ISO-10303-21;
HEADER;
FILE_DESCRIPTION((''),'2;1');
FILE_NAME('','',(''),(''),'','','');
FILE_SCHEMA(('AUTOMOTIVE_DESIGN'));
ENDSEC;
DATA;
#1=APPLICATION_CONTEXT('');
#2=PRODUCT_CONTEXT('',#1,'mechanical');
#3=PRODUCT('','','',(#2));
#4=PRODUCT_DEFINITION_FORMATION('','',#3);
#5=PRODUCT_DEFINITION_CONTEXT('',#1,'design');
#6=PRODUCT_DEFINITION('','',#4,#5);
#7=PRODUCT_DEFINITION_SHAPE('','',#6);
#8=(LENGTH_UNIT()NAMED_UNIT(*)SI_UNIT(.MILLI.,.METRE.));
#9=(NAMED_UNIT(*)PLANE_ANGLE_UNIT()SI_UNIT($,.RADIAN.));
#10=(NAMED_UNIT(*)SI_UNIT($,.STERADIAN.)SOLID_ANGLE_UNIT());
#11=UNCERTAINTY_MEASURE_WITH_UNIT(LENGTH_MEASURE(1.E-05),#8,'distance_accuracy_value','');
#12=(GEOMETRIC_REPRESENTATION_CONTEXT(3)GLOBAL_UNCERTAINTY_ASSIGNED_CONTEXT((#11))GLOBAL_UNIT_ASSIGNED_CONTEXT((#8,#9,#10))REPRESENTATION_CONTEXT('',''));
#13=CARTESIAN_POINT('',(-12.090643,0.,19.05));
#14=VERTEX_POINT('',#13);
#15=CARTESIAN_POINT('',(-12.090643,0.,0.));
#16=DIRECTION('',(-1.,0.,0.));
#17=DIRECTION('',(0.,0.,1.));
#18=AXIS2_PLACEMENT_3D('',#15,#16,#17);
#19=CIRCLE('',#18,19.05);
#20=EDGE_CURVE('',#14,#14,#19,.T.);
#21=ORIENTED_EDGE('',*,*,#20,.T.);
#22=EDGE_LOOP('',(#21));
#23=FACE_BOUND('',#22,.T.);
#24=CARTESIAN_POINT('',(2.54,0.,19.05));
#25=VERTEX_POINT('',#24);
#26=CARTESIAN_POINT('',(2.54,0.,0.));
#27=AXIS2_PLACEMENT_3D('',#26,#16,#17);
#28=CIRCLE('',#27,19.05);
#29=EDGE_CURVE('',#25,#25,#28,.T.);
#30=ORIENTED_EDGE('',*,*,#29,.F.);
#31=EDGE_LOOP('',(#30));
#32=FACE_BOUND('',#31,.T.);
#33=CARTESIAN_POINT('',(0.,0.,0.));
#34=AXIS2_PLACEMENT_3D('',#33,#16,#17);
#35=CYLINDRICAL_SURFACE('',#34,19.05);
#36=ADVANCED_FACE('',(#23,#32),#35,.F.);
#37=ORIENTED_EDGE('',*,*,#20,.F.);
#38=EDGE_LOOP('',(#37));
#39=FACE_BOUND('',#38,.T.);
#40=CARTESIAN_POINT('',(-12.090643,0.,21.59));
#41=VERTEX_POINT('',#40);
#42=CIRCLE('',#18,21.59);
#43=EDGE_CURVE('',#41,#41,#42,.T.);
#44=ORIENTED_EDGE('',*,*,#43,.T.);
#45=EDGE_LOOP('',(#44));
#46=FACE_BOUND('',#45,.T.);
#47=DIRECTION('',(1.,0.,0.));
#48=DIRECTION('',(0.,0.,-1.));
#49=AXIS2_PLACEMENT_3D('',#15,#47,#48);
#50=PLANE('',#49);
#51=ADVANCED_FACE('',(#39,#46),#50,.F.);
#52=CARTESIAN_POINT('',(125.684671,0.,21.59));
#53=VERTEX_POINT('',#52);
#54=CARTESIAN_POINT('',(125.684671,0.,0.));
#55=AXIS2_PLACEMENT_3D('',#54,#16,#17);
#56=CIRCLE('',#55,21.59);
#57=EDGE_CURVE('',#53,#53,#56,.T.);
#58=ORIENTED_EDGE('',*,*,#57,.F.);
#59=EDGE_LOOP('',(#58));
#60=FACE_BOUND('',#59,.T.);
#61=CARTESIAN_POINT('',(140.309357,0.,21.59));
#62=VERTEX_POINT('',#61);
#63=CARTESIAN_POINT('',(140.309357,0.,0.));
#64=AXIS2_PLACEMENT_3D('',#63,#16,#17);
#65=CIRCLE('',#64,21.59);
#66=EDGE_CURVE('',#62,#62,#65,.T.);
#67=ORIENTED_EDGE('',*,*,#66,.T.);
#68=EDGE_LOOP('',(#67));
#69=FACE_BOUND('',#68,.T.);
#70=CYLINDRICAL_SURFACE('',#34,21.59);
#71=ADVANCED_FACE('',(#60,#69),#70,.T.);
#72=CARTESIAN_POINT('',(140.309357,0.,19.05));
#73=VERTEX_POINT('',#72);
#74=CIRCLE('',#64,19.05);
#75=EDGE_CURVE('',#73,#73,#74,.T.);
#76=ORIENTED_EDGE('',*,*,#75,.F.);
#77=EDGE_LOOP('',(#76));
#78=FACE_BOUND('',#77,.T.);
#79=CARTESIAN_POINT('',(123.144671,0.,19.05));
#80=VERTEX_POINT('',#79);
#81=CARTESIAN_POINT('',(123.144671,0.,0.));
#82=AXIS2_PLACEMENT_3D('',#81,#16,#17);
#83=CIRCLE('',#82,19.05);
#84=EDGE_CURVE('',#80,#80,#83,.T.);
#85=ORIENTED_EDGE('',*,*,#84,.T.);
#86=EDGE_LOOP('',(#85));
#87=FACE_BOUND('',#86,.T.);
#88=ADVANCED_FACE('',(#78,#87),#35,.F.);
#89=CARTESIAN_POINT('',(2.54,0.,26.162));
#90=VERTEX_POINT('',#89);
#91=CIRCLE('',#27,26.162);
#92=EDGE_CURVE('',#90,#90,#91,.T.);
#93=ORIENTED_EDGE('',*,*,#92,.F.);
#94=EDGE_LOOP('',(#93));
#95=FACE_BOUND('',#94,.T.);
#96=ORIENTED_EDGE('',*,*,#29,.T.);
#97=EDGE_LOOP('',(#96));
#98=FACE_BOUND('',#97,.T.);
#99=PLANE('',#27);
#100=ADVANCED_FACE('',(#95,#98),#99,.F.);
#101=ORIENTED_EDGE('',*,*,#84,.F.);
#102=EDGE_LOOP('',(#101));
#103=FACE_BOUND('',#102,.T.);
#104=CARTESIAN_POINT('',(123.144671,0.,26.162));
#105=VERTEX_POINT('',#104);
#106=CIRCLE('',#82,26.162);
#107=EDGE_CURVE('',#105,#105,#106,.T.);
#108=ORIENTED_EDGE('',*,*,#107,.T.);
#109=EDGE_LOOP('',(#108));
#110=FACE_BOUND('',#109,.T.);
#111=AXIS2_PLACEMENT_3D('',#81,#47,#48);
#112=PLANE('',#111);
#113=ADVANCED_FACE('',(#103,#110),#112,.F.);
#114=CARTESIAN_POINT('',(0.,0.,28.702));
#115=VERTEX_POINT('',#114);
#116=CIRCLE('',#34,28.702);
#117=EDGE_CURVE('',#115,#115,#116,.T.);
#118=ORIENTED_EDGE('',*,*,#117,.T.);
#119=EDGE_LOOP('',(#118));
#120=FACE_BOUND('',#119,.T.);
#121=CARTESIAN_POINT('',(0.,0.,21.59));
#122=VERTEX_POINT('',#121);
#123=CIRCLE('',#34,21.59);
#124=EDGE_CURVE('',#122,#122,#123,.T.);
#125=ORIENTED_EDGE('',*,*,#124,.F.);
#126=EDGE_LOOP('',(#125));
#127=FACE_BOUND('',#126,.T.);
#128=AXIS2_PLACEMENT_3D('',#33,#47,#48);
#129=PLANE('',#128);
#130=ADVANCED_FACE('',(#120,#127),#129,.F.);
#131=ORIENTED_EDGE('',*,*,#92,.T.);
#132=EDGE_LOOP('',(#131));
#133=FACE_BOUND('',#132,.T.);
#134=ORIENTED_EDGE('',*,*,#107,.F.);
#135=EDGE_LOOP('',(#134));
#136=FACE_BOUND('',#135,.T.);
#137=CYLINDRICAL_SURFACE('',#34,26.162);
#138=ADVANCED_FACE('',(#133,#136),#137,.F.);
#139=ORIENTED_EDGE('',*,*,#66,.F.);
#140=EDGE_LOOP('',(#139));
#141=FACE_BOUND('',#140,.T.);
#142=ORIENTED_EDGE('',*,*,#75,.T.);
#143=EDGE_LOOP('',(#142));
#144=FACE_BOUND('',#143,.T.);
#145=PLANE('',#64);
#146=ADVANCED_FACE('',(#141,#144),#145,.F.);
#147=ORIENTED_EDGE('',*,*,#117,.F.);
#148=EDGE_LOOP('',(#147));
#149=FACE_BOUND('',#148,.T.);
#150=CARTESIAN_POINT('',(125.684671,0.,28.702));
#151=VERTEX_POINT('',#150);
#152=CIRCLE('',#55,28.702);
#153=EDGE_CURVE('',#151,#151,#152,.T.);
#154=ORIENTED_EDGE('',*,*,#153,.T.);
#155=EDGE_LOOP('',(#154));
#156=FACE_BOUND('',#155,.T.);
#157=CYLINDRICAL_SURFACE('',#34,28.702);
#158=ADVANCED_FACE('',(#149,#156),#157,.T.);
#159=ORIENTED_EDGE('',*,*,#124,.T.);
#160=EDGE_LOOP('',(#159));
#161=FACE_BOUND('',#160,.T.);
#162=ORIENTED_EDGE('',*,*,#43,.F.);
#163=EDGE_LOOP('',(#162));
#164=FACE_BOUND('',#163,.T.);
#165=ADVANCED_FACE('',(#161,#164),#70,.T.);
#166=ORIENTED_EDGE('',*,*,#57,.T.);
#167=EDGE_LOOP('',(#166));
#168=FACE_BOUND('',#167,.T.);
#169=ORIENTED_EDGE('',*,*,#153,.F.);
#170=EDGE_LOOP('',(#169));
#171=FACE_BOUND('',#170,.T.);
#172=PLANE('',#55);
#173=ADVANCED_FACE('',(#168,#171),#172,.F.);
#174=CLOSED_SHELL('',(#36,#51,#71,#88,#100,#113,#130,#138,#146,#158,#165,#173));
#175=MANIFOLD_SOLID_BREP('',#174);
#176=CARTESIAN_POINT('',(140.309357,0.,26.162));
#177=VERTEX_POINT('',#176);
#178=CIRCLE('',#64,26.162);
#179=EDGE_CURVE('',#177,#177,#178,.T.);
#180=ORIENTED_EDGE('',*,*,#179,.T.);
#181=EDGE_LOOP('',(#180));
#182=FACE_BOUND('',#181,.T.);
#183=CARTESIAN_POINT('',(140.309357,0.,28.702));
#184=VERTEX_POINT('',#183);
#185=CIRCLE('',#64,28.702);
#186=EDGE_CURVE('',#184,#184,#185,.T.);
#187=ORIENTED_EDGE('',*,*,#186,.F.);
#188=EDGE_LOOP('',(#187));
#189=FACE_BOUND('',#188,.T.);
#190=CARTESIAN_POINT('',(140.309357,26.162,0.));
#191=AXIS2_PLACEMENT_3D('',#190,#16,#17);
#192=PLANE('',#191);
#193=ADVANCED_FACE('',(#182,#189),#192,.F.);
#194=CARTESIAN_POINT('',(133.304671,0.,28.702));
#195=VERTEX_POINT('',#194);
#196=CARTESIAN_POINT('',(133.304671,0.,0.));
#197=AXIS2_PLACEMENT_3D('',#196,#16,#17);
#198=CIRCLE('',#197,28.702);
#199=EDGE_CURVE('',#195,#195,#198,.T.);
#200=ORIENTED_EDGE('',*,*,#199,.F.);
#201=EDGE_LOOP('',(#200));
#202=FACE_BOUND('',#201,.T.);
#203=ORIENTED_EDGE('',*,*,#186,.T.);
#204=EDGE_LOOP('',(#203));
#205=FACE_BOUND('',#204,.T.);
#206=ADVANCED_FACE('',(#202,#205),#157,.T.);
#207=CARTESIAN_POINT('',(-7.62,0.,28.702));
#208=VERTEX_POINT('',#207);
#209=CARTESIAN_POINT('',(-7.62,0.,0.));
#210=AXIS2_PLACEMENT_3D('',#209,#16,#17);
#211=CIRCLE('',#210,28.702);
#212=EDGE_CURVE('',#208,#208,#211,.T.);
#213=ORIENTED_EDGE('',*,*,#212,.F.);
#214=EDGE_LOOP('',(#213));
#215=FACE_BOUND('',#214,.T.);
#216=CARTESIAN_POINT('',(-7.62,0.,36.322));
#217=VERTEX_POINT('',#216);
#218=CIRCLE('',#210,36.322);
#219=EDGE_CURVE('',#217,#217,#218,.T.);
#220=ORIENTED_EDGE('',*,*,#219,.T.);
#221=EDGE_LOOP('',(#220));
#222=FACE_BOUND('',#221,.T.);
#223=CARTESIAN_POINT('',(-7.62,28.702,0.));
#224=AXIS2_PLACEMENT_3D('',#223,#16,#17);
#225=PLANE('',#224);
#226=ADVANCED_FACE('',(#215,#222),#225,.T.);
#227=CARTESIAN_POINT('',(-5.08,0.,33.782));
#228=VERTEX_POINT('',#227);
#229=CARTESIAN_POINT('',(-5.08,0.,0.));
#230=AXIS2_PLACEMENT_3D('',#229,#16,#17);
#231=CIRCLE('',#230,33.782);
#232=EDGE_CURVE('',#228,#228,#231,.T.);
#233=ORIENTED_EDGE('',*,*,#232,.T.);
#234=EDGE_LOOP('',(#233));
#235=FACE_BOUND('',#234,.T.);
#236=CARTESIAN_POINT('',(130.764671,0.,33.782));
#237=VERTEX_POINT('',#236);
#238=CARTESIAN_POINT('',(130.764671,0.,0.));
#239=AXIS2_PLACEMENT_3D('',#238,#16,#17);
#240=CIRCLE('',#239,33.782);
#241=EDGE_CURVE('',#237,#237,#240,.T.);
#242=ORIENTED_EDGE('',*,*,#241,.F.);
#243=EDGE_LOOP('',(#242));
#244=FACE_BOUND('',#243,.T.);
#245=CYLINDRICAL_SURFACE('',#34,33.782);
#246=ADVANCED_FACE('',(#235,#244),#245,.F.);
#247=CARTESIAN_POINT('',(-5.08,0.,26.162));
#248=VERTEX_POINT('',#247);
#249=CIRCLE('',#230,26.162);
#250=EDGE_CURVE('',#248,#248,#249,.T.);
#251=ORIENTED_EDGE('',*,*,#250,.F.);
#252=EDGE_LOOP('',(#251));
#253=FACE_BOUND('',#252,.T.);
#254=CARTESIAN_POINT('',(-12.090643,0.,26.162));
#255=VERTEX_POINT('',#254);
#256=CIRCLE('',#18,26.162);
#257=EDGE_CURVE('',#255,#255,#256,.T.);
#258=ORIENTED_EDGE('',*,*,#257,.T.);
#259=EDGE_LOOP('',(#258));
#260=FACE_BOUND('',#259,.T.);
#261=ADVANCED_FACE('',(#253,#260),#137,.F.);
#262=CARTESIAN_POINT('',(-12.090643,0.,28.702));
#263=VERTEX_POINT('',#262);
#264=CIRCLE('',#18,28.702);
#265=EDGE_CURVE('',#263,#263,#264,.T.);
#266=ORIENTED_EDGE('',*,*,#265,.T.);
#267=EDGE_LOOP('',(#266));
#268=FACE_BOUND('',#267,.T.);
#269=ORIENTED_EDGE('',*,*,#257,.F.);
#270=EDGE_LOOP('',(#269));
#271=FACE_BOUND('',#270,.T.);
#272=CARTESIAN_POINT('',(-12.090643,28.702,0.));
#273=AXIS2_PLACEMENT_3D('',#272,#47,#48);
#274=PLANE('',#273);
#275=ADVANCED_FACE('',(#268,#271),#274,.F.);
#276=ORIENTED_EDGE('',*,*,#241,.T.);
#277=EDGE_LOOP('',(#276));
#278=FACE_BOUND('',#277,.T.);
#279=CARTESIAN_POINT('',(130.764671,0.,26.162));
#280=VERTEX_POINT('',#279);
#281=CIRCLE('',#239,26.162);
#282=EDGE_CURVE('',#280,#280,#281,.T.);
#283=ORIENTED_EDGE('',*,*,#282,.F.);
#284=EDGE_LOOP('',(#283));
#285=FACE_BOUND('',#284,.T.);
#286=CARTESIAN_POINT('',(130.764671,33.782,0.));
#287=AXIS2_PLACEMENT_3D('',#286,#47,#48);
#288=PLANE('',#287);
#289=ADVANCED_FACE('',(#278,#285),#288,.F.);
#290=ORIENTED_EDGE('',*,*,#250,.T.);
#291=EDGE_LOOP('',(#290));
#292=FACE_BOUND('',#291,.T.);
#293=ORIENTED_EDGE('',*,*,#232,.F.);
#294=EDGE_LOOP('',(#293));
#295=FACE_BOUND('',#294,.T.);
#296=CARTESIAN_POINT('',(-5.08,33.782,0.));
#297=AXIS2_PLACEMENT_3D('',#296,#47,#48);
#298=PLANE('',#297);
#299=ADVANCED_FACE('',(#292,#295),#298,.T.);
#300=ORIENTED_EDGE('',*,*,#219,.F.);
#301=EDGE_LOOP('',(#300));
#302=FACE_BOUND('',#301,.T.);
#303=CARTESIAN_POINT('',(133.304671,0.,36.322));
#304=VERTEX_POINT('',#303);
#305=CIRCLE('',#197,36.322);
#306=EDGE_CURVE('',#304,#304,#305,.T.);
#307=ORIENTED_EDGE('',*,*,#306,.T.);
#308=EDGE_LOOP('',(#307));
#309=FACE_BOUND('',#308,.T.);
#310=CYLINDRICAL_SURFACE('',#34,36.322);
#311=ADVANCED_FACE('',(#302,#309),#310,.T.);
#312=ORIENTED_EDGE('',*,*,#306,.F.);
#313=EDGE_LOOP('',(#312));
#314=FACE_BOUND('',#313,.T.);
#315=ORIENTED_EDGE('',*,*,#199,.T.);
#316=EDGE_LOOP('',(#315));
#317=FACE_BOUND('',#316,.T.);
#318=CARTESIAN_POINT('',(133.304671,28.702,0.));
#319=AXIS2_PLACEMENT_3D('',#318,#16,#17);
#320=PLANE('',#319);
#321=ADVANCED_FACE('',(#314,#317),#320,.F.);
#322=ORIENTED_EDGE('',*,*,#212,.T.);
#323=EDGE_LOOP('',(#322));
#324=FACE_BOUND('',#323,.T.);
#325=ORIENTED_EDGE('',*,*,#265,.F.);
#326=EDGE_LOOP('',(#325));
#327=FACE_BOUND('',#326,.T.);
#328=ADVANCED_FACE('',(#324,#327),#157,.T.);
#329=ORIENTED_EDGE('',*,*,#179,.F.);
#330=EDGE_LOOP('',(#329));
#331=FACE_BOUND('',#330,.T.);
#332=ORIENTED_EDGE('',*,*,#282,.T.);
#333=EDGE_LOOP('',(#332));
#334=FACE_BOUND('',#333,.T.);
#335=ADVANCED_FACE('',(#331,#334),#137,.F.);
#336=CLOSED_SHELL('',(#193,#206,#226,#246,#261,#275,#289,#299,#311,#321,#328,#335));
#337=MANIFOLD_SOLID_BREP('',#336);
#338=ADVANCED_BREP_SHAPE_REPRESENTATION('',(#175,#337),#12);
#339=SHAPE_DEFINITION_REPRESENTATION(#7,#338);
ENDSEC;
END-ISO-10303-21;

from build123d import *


with BuildPart() as part:
    # Sketch1 → Revolve1 (revolve)
    with BuildSketch(Plane.XY, mode=Mode.PRIVATE) as revolve1_sk:
        Polygon((140.309357349, 21.59), (125.68467097, 21.59), (125.68467097, 28.702), (0, 28.702), (0, 21.59), (-12.090642651, 21.59), (-12.090642651, 19.05), (2.54, 19.05), (2.54, 26.162), (123.14467097, 26.162), (123.14467097, 19.05), (140.309357349, 19.05), align=None)
        Polygon((-5.08, 33.782), (130.76467097, 33.782), (130.76467097, 26.162), (140.309357349, 26.162), (140.309357349, 28.702), (133.30467097, 28.702), (133.30467097, 36.322), (-7.62, 36.322), (-7.62, 28.702), (-12.090642651, 28.702), (-12.090642651, 26.162), (-5.08, 26.162), align=None)
    revolve(revolve1_sk.sketch.rotate(Axis((0, 0, 0), (1, 0, 0)), 90), axis=Axis((0, 0, 0), (1, 0, 0)))


solid = part.part
